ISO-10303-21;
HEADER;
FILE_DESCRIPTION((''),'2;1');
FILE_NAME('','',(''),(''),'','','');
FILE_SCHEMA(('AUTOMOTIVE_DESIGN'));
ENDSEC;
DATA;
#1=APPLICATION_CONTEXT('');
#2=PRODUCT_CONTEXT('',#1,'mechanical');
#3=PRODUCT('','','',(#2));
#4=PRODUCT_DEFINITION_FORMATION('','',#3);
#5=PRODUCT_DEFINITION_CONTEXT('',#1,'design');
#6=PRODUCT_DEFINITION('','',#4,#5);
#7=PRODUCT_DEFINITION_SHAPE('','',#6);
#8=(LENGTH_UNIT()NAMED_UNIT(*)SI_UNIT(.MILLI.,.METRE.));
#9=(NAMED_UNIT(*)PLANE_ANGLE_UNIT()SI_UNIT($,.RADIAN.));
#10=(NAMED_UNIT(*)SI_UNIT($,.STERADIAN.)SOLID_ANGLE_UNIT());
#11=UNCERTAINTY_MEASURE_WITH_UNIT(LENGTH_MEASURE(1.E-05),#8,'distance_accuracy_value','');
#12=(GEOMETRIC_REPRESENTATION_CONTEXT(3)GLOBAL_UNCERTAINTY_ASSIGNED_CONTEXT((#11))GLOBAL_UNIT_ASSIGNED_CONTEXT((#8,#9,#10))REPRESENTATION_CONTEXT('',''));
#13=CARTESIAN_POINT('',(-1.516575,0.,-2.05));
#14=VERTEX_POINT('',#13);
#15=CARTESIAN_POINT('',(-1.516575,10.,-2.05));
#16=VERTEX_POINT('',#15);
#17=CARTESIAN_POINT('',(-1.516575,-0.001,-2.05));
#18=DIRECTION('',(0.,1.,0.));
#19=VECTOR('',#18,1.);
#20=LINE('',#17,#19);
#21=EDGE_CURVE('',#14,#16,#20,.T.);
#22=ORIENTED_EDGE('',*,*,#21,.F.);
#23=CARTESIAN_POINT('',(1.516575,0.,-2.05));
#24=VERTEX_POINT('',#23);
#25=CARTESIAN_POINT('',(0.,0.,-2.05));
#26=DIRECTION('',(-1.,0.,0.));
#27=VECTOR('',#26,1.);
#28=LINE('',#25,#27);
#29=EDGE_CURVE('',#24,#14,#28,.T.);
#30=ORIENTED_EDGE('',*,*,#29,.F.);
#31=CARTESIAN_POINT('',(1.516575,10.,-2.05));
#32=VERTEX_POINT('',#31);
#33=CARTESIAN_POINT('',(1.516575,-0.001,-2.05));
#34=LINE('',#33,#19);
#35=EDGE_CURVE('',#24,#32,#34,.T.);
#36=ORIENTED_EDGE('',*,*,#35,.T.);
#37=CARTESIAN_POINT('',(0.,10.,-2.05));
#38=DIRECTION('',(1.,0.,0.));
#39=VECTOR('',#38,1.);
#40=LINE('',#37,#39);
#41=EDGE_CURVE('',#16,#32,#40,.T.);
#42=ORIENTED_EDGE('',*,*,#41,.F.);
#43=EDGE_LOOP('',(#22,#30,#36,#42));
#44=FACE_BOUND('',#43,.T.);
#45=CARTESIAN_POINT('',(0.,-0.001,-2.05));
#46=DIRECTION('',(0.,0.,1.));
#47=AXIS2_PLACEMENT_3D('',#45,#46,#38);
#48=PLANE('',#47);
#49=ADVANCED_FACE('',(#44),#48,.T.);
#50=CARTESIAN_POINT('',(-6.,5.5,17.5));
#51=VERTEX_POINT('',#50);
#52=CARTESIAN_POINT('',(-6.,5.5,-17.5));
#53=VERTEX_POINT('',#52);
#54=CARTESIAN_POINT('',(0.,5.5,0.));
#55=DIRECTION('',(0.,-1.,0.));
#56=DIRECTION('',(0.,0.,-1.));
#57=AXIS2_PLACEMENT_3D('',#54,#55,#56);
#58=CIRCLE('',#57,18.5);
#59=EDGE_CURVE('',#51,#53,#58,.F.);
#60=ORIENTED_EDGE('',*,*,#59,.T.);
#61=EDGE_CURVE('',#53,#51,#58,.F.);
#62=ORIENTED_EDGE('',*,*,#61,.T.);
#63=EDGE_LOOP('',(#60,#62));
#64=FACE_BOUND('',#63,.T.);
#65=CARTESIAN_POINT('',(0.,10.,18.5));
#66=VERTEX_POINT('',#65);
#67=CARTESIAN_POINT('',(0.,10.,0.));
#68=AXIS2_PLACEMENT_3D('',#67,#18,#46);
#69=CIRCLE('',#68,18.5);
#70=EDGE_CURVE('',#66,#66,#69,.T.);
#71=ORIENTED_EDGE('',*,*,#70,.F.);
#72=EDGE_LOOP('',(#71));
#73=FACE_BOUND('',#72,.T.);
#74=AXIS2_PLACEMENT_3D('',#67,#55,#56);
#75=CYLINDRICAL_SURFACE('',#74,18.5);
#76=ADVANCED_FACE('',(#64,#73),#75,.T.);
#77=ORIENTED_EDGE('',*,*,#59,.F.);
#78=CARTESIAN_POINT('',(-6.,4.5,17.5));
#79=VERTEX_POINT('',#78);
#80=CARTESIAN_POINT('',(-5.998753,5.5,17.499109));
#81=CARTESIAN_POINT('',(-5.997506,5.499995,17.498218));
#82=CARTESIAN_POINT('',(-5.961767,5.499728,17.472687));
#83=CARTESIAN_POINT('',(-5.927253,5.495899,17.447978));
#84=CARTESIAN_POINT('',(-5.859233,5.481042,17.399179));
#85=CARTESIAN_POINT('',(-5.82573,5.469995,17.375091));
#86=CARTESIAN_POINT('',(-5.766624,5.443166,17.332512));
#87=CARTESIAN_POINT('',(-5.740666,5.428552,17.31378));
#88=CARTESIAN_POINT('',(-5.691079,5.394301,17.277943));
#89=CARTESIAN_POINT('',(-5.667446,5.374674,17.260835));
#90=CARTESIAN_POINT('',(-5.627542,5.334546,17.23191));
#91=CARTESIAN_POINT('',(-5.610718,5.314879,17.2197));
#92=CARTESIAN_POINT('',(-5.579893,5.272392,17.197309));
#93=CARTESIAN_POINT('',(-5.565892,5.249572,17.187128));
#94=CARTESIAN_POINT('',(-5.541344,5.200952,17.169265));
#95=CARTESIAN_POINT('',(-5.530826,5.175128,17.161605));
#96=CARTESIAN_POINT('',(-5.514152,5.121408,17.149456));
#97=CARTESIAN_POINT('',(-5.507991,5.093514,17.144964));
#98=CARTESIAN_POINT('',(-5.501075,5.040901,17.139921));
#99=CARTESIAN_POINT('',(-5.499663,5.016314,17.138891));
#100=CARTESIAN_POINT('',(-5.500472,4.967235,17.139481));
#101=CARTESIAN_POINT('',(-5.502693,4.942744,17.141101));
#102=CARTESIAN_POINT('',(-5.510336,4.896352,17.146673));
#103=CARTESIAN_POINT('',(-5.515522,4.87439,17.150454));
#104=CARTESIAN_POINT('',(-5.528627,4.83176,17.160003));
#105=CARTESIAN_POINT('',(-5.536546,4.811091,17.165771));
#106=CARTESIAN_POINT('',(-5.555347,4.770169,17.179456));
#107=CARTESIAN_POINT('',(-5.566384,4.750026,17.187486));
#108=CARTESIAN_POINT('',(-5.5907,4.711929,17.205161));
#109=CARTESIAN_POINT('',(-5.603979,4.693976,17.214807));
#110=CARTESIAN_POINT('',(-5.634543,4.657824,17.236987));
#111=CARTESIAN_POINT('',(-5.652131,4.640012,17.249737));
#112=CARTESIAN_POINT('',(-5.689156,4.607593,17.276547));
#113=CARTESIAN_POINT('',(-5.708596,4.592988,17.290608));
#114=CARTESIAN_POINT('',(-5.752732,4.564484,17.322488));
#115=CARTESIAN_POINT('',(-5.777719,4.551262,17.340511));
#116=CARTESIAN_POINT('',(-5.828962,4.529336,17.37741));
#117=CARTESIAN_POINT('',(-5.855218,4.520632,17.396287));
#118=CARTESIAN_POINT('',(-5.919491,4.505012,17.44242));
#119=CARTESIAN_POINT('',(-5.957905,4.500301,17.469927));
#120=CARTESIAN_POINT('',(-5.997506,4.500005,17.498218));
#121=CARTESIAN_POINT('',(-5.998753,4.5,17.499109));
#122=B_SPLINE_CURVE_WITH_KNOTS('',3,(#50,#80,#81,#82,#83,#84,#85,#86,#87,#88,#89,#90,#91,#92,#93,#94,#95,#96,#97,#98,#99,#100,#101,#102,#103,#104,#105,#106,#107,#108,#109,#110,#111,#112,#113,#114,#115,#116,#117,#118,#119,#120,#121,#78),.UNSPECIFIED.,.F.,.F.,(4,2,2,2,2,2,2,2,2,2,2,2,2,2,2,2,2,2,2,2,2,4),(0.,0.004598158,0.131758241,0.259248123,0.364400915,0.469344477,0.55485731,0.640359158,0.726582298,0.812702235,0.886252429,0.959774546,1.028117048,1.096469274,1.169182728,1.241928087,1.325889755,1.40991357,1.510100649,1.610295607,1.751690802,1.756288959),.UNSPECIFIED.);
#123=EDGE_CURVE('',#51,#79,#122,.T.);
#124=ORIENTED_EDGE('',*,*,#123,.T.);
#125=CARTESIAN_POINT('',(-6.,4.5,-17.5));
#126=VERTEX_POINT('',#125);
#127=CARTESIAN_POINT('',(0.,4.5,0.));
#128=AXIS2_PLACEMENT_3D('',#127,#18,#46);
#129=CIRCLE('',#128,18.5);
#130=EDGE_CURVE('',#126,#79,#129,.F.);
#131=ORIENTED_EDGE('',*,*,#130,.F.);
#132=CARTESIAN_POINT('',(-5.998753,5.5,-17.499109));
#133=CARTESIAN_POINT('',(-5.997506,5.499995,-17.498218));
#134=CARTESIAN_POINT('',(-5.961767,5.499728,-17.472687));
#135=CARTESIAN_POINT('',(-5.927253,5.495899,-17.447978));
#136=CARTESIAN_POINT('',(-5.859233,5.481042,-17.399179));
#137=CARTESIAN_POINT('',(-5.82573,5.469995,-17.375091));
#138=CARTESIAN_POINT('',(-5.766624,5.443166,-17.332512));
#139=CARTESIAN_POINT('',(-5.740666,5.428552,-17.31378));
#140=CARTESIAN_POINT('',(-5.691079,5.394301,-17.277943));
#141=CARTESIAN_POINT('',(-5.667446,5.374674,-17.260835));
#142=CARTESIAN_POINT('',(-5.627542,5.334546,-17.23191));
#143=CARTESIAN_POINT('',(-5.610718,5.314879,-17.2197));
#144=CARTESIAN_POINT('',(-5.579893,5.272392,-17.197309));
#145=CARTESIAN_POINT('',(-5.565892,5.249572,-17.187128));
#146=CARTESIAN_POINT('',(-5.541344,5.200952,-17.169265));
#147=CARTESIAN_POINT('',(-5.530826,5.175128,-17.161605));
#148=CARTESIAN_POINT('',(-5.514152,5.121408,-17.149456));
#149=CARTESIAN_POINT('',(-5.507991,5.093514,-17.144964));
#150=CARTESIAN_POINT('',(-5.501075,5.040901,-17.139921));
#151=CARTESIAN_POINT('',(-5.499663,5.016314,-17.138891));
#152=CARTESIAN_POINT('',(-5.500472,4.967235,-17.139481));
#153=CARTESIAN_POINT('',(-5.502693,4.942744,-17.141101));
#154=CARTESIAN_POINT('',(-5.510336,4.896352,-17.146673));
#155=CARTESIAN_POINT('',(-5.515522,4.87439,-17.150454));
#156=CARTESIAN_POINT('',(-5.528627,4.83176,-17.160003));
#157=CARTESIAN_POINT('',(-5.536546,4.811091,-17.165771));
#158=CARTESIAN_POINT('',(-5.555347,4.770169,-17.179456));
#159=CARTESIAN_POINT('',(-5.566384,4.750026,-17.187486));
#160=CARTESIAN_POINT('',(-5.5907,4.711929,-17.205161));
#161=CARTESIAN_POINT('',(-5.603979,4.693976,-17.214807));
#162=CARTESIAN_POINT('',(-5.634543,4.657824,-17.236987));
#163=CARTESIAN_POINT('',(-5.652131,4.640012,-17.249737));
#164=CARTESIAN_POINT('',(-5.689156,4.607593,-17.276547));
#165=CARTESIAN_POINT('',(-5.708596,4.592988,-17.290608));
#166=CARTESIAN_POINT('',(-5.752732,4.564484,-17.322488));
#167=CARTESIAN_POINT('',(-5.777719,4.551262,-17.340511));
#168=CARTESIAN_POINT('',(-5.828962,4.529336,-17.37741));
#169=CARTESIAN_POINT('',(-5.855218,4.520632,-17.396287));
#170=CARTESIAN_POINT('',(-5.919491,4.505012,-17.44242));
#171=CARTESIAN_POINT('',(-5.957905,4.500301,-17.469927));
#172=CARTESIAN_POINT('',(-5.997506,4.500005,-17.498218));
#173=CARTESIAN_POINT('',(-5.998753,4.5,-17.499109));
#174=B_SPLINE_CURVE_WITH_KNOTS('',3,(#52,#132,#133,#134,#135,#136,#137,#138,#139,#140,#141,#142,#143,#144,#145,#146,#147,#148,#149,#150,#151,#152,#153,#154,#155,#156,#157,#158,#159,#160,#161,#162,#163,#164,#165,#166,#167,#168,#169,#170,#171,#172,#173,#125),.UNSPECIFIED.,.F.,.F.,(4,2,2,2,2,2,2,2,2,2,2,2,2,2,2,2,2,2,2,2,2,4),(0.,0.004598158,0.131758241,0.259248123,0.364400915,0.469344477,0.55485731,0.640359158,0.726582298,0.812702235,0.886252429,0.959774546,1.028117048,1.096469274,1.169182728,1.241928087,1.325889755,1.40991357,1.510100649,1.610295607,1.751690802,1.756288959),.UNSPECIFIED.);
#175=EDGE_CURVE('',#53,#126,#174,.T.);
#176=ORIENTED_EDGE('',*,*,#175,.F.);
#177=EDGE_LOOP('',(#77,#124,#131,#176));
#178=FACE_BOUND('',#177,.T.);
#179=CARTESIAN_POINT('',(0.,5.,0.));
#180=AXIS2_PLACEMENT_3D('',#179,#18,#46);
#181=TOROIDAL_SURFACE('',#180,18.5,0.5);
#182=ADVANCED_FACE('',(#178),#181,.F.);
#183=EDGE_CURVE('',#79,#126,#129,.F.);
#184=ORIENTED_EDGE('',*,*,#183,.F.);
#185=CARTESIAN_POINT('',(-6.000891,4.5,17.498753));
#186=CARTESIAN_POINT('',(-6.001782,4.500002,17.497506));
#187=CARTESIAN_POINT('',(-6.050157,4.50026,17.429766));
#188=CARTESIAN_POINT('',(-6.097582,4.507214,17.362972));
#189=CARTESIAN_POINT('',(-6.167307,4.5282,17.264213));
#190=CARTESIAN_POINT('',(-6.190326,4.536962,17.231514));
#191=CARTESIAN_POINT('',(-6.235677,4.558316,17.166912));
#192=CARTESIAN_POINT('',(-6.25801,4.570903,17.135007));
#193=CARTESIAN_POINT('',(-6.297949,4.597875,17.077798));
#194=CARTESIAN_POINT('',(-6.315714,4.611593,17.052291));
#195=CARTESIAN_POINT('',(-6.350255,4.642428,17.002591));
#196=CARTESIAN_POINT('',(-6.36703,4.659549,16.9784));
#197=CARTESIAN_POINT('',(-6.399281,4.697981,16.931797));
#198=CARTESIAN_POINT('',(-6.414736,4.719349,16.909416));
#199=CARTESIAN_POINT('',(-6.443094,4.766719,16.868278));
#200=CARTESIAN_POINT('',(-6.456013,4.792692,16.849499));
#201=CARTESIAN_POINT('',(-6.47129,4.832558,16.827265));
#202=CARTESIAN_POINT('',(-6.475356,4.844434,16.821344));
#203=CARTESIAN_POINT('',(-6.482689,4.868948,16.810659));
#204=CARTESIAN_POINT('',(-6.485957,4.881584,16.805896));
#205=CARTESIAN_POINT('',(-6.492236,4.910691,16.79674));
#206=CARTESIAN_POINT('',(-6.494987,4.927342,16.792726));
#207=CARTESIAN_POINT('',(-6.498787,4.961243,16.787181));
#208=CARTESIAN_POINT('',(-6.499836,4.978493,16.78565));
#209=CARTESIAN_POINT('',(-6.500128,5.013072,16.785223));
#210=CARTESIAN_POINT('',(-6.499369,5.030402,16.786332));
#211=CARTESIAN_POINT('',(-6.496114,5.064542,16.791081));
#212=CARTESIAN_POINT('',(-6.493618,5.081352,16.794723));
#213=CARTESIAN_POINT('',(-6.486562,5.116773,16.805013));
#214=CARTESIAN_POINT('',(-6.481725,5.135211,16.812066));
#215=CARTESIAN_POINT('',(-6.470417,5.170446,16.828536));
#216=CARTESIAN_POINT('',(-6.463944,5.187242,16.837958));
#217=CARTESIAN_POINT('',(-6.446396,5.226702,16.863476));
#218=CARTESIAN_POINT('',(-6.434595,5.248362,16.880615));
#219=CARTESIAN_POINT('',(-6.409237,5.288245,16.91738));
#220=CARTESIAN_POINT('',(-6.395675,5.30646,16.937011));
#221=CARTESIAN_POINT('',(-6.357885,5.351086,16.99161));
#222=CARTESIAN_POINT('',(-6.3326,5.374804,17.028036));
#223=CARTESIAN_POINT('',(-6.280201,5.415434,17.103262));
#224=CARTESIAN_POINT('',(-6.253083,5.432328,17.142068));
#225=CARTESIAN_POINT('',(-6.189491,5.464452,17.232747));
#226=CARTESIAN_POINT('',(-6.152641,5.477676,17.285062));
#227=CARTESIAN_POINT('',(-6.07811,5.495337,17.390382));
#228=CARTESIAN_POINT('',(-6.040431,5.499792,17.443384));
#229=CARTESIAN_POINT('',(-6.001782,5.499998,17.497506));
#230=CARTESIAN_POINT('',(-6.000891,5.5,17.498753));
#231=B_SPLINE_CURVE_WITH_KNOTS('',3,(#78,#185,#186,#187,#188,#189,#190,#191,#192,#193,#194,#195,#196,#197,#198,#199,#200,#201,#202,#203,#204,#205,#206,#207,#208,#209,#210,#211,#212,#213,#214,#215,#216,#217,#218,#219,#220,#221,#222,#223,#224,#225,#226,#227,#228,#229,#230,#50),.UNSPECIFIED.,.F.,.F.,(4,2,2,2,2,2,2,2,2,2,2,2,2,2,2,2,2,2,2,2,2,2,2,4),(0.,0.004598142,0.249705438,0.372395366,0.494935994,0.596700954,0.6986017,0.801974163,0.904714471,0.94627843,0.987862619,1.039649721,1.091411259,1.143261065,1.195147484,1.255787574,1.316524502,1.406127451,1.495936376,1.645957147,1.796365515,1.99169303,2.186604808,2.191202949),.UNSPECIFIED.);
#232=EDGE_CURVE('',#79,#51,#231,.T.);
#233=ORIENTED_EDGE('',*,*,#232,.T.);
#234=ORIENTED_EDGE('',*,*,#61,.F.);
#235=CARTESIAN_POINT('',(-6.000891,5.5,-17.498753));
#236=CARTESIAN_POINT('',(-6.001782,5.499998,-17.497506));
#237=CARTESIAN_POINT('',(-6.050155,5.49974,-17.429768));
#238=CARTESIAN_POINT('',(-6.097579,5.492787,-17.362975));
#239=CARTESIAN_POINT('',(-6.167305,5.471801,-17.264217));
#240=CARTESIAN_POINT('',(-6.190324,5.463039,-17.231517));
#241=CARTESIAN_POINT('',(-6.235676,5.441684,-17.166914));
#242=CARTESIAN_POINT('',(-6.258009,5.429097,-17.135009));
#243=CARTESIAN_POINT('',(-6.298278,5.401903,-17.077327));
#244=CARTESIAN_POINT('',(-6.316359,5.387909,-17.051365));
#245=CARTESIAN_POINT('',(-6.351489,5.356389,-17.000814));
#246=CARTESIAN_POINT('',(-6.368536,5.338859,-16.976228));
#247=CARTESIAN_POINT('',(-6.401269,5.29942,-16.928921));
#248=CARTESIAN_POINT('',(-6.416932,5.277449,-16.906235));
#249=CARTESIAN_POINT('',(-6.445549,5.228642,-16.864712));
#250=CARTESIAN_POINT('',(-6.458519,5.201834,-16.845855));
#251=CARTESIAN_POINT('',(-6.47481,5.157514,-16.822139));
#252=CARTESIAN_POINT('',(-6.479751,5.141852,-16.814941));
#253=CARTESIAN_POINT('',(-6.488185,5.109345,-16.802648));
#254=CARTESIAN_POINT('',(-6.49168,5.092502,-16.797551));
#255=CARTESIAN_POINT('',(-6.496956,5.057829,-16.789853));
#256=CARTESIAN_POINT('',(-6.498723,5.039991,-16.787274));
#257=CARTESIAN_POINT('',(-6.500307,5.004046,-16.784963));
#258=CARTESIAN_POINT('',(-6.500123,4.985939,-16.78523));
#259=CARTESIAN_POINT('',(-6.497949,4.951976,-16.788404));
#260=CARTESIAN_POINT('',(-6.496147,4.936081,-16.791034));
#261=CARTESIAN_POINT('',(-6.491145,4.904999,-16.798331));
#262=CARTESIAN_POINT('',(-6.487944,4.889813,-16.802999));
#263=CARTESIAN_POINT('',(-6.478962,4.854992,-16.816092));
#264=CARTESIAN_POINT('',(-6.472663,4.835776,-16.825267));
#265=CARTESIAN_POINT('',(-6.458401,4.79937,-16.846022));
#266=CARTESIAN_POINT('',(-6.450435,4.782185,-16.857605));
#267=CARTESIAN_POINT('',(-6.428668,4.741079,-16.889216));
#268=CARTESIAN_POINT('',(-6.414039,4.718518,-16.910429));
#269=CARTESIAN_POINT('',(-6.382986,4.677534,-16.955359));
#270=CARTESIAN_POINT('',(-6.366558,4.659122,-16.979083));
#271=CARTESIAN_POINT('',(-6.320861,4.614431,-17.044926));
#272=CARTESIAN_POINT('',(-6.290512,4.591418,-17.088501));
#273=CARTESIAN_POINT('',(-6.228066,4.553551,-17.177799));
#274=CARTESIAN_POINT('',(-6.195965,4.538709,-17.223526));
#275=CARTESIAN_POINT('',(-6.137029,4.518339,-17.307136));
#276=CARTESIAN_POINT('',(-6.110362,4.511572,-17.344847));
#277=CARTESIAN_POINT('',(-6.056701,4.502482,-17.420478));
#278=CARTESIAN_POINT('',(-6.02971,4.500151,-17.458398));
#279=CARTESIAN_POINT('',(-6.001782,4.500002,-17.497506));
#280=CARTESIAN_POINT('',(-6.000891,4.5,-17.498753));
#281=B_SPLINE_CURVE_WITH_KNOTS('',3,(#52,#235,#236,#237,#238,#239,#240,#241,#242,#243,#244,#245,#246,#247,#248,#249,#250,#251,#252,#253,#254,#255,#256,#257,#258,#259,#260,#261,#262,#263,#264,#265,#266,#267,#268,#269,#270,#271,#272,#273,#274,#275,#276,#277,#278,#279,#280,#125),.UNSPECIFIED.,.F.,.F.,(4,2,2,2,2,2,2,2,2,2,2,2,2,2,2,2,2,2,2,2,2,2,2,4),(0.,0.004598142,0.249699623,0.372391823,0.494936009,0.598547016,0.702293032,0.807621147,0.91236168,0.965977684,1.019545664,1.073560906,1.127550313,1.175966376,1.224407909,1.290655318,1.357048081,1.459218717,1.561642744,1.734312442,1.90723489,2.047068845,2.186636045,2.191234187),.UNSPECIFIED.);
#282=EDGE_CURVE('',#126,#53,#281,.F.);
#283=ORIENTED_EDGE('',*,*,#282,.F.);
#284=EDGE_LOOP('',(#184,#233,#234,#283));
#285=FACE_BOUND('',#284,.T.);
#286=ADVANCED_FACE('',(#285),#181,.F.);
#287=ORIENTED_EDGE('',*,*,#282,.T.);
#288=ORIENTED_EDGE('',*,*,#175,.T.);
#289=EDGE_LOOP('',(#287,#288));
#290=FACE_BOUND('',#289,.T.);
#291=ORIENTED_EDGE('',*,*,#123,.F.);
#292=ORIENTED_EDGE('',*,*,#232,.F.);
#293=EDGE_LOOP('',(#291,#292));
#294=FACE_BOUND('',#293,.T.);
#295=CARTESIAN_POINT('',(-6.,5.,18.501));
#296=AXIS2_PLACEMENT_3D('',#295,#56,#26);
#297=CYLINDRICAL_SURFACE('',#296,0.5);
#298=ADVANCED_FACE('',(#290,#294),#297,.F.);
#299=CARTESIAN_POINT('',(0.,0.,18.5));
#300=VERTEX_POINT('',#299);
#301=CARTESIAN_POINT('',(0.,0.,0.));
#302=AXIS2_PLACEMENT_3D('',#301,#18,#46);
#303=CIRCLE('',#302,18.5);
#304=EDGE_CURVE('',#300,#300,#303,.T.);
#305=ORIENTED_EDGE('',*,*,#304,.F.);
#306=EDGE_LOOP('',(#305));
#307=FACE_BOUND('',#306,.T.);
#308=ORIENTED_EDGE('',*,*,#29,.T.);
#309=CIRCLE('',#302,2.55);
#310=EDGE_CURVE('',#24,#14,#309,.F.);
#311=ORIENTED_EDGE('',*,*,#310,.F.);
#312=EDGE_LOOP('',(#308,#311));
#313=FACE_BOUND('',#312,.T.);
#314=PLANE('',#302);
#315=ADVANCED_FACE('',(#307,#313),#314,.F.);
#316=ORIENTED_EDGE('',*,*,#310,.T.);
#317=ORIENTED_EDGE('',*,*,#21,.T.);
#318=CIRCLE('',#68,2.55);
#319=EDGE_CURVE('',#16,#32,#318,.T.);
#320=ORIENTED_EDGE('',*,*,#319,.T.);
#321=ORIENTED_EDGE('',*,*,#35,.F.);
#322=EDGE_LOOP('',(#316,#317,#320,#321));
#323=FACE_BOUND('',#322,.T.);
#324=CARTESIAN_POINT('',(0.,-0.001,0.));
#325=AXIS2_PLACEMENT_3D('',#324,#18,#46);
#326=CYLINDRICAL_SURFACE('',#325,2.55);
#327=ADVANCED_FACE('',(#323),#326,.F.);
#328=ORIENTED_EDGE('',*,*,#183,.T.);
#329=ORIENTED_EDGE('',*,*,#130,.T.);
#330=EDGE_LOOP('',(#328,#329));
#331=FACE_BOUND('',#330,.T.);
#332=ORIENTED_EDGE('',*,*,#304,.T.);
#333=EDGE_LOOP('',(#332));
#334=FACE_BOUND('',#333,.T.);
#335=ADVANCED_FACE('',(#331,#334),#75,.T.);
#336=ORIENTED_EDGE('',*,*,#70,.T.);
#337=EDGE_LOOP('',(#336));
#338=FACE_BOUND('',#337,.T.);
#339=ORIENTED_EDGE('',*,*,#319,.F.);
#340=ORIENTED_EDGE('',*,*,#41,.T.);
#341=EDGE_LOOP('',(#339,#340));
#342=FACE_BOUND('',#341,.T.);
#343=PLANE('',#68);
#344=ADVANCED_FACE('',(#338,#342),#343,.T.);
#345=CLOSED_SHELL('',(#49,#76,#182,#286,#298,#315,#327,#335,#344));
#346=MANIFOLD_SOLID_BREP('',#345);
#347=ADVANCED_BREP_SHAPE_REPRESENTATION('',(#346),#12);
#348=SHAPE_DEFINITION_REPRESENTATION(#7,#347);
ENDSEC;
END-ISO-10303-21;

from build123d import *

# Parameters (mm, degrees)
SKETCH1_R                                 = 18.5
BOSS_EXTRUDE1_DEPTH                       = 10
SKETCH2_R                                 = 0.5
CUT_EXTRUDE1_REACH                        = 30.009
CUT_EXTRUDE2_REACH                        = 30.009
CUT_EXTRUDE2_END_MAJOR_RADIUS             = 18.5
CUT_EXTRUDE2_END_MINOR_RADIUS             = 0.5
SKETCH4_R                                 = 0.5
CUT_EXTRUDE2_DIRECTION_2_REACH            = 30.009
CUT_EXTRUDE2_DIRECTION_2_END_MAJOR_RADIUS = 18.5
CUT_EXTRUDE2_DIRECTION_2_END_MINOR_RADIUS = 0.5


with BuildPart() as part:
    # Sketch1 → Boss-Extrude1 (new body)
    with BuildSketch(Plane(origin=(0, 0, 0), x_dir=(1, 0, 0), z_dir=(0, 1, 0))):
        with Locations(Location((0, 0, 0), (0, 0, 270))):
            Circle(SKETCH1_R)
    extrude(amount=BOSS_EXTRUDE1_DEPTH)

    # Sketch2 → Cut-Revolve1 (revolve, cut)
    with BuildSketch(Plane.XY, mode=Mode.PRIVATE) as cut_revolve1_sk:
        with Locations((-18.5, 5)):
            Circle(SKETCH2_R)
    revolve(cut_revolve1_sk.sketch.rotate(Axis((0, 22.422972825, 0), (0, -1, 0)), 270), axis=Axis((0, 22.422972825, 0), (0, -1, 0)), mode=Mode.SUBTRACT)

    # Sketch3 → Cut-Extrude1 (cut, up to next)
    with BuildSketch(Plane(origin=(0, 10, 0), x_dir=(1, 0, 0), z_dir=(0, 1, 0)), mode=Mode.PRIVATE) as cut_extrude1_sk1:
        with BuildLine():
            Line((1.516575089, 2.05), (-1.516575089, 2.05))
            ThreePointArc((-1.516575089, 2.05), (-1.147874889, -2.277033868), (2.55, 0))
            ThreePointArc((2.55, 0), (2.277033868, 1.147874889), (1.516575089, 2.05))
        make_face()
    cut_extrude1_tool1 = extrude(cut_extrude1_sk1.sketch, amount=-CUT_EXTRUDE1_REACH, mode=Mode.PRIVATE) & part.part
    add(cut_extrude1_tool1.solids().sort_by_distance((0, 10, 0.119895))[0], mode=Mode.SUBTRACT)

    # Cut-Extrude2: up to this torus (the profile starts outside it)
    cut_extrude2_end = Plane(origin=(0, 5, 0), z_dir=(0, 1, 0)) * Torus(CUT_EXTRUDE2_END_MAJOR_RADIUS, CUT_EXTRUDE2_END_MINOR_RADIUS, mode=Mode.PRIVATE)
    # Sketch4 → Cut-Extrude2 (cut, up to the surface)
    with BuildSketch(Plane.XY, mode=Mode.PRIVATE) as cut_extrude2_sk1:
        with Locations(Location((-6, 5, 0), (0, 0, 90))):
            Circle(SKETCH4_R)
    cut_extrude2_tool1 = extrude(cut_extrude2_sk1.sketch, amount=-CUT_EXTRUDE2_REACH, mode=Mode.PRIVATE) - cut_extrude2_end
    add(cut_extrude2_tool1.solids().sort_by_distance((-6, 5, 0))[0], mode=Mode.SUBTRACT)

    # Cut-Extrude2 direction 2: up to this torus (the profile starts outside it)
    cut_extrude2_direction_2_end = Plane(origin=(0, 5, 0), z_dir=(0, 1, 0)) * Torus(CUT_EXTRUDE2_DIRECTION_2_END_MAJOR_RADIUS, CUT_EXTRUDE2_DIRECTION_2_END_MINOR_RADIUS, mode=Mode.PRIVATE)
    # Sketch4 → Cut-Extrude2 direction 2 (cut, up to the surface)
    with BuildSketch(Plane.XY, mode=Mode.PRIVATE) as cut_extrude2_direction_2_sk1:
        with Locations(Location((-6, 5, 0), (0, 0, 90))):
            Circle(SKETCH4_R)
    cut_extrude2_direction_2_tool1 = extrude(cut_extrude2_direction_2_sk1.sketch, amount=CUT_EXTRUDE2_DIRECTION_2_REACH, mode=Mode.PRIVATE) - cut_extrude2_direction_2_end
    add(cut_extrude2_direction_2_tool1.solids().sort_by_distance((-6, 5, 0))[0], mode=Mode.SUBTRACT)


solid = part.part
